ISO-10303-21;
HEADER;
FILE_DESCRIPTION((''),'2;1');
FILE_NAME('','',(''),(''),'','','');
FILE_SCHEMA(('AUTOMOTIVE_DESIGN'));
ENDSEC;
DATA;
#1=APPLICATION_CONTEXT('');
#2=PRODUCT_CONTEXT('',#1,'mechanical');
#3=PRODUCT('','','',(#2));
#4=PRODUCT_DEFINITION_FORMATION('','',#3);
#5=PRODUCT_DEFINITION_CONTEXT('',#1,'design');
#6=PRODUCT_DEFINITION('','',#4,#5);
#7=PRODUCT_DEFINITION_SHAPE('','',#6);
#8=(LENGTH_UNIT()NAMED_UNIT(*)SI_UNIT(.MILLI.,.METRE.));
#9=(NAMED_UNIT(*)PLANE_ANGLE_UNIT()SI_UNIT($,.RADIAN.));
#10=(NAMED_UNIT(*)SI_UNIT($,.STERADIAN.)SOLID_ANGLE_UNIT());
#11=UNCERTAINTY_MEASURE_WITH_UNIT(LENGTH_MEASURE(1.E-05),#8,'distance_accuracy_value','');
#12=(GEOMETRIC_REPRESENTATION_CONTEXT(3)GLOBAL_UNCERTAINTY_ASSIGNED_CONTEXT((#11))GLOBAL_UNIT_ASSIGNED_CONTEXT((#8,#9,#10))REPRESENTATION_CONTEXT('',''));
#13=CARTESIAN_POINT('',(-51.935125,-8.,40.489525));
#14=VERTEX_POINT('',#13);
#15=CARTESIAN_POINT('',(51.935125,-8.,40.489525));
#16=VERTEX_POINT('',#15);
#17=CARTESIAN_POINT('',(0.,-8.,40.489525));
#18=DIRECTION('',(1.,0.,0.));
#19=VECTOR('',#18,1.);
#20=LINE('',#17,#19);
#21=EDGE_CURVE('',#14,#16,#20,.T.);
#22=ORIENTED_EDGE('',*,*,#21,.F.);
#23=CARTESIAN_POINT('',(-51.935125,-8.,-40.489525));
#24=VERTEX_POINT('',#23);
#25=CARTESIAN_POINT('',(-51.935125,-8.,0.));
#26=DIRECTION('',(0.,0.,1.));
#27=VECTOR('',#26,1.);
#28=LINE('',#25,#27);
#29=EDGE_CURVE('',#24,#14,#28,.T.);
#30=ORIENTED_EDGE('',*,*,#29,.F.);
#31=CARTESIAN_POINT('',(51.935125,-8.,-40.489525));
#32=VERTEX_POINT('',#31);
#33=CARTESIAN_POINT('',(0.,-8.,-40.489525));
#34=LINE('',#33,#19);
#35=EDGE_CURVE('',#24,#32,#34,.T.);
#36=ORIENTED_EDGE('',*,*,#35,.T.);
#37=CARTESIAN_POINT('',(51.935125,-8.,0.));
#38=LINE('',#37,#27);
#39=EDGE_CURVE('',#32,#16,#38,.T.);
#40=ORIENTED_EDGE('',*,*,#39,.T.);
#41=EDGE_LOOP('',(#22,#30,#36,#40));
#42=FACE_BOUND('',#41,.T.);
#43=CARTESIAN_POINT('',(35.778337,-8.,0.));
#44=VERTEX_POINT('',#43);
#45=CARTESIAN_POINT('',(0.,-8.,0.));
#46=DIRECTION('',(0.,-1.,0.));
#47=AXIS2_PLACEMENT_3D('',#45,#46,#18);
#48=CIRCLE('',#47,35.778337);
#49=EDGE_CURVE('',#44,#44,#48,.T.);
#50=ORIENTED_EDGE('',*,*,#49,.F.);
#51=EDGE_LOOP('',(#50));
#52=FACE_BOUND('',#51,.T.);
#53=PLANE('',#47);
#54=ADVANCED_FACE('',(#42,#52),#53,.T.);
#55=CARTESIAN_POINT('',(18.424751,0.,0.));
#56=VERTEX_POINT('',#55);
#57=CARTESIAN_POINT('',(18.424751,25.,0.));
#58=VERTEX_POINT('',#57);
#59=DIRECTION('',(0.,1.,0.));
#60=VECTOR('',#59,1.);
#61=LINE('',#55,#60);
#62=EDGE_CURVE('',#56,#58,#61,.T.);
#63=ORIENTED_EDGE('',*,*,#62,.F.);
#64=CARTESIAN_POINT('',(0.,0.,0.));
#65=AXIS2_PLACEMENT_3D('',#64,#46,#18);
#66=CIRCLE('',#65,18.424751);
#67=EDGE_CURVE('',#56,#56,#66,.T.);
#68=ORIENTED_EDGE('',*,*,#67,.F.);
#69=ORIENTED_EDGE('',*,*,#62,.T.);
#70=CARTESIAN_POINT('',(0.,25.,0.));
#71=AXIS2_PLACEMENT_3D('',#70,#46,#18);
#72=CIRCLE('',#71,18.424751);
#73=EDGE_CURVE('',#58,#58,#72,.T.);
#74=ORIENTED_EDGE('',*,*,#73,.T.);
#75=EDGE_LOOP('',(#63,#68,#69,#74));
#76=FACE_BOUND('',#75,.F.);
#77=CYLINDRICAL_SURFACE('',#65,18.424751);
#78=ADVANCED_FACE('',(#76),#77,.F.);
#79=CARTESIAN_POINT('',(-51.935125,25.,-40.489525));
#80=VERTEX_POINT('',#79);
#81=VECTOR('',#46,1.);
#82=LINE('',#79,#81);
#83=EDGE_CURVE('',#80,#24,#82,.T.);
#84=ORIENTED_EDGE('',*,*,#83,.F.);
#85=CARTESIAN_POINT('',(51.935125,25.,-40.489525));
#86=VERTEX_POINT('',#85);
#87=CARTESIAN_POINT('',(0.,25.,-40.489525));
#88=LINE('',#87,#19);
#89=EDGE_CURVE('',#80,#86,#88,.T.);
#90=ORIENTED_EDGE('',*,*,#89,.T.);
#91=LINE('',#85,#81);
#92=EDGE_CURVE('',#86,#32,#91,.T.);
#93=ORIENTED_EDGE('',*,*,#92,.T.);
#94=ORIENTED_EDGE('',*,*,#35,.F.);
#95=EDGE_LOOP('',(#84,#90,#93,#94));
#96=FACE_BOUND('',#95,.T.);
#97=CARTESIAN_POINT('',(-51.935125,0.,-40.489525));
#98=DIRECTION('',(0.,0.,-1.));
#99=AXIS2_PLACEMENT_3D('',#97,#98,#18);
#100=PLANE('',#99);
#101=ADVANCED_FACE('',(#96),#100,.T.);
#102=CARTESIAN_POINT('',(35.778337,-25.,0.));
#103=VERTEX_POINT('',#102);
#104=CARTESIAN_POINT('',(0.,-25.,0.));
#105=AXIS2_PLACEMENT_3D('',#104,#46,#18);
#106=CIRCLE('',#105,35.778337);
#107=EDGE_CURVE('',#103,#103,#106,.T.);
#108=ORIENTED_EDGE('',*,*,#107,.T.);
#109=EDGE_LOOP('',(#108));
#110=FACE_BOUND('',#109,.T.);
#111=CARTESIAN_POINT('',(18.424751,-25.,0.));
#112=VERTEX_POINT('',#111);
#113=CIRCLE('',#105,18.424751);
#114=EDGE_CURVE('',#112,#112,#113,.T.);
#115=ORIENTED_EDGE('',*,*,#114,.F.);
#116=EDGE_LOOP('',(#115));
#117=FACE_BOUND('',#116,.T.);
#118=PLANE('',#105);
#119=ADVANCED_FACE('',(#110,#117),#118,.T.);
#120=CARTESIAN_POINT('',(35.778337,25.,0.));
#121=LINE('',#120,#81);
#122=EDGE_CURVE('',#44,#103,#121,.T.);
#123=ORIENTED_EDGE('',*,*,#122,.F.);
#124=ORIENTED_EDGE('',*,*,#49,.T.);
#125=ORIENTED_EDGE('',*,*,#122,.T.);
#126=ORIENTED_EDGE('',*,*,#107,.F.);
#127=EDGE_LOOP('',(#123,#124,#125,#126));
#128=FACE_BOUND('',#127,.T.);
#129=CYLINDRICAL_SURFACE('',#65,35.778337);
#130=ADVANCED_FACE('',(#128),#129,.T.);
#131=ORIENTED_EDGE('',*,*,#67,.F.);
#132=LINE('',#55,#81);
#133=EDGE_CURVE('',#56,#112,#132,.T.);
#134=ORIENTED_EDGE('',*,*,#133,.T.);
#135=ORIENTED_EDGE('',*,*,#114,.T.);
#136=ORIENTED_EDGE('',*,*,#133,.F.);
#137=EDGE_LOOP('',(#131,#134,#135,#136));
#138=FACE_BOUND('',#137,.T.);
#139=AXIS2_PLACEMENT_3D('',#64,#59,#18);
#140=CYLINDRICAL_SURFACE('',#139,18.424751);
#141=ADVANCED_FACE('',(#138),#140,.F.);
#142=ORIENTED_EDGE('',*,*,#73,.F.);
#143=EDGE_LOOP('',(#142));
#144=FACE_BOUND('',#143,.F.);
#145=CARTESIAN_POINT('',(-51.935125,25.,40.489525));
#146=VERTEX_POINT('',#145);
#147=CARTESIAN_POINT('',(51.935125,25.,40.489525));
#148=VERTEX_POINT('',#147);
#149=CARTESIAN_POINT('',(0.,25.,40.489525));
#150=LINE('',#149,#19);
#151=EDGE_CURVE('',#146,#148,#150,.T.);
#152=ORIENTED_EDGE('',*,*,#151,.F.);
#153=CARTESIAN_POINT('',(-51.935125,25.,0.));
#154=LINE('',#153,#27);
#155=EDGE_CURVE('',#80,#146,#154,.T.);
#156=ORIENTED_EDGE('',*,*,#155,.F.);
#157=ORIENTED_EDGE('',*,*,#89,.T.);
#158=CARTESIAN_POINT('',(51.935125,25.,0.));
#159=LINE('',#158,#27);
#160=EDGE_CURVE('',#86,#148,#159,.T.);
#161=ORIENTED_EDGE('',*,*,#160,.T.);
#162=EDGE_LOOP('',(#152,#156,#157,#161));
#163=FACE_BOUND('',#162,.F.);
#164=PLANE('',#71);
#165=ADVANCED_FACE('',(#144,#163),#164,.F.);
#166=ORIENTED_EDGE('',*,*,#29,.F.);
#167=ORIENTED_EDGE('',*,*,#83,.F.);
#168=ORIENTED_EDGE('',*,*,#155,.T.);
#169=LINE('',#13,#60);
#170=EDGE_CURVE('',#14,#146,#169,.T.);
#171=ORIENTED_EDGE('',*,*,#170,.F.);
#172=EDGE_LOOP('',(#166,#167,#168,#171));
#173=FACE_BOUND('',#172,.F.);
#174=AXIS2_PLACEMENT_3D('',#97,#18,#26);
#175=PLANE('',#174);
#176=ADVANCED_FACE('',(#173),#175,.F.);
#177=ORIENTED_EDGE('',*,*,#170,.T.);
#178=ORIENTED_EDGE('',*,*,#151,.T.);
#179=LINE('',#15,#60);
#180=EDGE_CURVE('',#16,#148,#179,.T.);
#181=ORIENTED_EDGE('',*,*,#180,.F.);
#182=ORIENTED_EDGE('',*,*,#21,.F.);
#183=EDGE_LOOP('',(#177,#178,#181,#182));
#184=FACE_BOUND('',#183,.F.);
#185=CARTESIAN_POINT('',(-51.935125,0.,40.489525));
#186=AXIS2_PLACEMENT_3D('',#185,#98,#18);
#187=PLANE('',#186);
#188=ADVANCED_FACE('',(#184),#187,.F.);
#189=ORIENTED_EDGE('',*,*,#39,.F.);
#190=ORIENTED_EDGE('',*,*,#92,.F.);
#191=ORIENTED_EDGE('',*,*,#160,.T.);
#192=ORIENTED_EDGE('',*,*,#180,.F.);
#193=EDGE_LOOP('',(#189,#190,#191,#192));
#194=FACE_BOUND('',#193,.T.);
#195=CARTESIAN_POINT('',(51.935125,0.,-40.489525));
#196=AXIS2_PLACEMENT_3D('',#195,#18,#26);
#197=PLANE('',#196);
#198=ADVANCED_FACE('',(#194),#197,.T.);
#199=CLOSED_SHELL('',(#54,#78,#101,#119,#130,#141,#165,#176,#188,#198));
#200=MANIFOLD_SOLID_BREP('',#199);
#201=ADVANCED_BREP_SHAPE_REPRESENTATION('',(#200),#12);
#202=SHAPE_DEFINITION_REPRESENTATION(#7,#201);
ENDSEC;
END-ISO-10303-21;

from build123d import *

# Parameters (mm, degrees)
F0_R          = 35.778337
F0_R_2        = 18.424751
F1_DEPTH      = 25
F1_DEPTH_BACK = 25
F0_W          = 103.87025
F0_H          = 80.97905
F2_DEPTH      = 8
F2_DEPTH_BACK = 25


with BuildPart() as f1:
    # F0 (on Front) → F1 (new body, two sides)
    with BuildSketch(Plane.XZ) as f1_sk:
        Circle(F0_R)
        Circle(F0_R_2, mode=Mode.SUBTRACT)
    extrude(amount=F1_DEPTH)
    extrude(f1_sk.sketch, amount=-F1_DEPTH_BACK)

    # F0 (on Front) → F2 (join, two sides)
    with BuildSketch(Plane.XZ) as f2_sk:
        Rectangle(F0_W, F0_H)
        Circle(F0_R, mode=Mode.SUBTRACT)
    extrude(amount=F2_DEPTH)
    extrude(f2_sk.sketch, amount=-F2_DEPTH_BACK)


solid = f1.part
